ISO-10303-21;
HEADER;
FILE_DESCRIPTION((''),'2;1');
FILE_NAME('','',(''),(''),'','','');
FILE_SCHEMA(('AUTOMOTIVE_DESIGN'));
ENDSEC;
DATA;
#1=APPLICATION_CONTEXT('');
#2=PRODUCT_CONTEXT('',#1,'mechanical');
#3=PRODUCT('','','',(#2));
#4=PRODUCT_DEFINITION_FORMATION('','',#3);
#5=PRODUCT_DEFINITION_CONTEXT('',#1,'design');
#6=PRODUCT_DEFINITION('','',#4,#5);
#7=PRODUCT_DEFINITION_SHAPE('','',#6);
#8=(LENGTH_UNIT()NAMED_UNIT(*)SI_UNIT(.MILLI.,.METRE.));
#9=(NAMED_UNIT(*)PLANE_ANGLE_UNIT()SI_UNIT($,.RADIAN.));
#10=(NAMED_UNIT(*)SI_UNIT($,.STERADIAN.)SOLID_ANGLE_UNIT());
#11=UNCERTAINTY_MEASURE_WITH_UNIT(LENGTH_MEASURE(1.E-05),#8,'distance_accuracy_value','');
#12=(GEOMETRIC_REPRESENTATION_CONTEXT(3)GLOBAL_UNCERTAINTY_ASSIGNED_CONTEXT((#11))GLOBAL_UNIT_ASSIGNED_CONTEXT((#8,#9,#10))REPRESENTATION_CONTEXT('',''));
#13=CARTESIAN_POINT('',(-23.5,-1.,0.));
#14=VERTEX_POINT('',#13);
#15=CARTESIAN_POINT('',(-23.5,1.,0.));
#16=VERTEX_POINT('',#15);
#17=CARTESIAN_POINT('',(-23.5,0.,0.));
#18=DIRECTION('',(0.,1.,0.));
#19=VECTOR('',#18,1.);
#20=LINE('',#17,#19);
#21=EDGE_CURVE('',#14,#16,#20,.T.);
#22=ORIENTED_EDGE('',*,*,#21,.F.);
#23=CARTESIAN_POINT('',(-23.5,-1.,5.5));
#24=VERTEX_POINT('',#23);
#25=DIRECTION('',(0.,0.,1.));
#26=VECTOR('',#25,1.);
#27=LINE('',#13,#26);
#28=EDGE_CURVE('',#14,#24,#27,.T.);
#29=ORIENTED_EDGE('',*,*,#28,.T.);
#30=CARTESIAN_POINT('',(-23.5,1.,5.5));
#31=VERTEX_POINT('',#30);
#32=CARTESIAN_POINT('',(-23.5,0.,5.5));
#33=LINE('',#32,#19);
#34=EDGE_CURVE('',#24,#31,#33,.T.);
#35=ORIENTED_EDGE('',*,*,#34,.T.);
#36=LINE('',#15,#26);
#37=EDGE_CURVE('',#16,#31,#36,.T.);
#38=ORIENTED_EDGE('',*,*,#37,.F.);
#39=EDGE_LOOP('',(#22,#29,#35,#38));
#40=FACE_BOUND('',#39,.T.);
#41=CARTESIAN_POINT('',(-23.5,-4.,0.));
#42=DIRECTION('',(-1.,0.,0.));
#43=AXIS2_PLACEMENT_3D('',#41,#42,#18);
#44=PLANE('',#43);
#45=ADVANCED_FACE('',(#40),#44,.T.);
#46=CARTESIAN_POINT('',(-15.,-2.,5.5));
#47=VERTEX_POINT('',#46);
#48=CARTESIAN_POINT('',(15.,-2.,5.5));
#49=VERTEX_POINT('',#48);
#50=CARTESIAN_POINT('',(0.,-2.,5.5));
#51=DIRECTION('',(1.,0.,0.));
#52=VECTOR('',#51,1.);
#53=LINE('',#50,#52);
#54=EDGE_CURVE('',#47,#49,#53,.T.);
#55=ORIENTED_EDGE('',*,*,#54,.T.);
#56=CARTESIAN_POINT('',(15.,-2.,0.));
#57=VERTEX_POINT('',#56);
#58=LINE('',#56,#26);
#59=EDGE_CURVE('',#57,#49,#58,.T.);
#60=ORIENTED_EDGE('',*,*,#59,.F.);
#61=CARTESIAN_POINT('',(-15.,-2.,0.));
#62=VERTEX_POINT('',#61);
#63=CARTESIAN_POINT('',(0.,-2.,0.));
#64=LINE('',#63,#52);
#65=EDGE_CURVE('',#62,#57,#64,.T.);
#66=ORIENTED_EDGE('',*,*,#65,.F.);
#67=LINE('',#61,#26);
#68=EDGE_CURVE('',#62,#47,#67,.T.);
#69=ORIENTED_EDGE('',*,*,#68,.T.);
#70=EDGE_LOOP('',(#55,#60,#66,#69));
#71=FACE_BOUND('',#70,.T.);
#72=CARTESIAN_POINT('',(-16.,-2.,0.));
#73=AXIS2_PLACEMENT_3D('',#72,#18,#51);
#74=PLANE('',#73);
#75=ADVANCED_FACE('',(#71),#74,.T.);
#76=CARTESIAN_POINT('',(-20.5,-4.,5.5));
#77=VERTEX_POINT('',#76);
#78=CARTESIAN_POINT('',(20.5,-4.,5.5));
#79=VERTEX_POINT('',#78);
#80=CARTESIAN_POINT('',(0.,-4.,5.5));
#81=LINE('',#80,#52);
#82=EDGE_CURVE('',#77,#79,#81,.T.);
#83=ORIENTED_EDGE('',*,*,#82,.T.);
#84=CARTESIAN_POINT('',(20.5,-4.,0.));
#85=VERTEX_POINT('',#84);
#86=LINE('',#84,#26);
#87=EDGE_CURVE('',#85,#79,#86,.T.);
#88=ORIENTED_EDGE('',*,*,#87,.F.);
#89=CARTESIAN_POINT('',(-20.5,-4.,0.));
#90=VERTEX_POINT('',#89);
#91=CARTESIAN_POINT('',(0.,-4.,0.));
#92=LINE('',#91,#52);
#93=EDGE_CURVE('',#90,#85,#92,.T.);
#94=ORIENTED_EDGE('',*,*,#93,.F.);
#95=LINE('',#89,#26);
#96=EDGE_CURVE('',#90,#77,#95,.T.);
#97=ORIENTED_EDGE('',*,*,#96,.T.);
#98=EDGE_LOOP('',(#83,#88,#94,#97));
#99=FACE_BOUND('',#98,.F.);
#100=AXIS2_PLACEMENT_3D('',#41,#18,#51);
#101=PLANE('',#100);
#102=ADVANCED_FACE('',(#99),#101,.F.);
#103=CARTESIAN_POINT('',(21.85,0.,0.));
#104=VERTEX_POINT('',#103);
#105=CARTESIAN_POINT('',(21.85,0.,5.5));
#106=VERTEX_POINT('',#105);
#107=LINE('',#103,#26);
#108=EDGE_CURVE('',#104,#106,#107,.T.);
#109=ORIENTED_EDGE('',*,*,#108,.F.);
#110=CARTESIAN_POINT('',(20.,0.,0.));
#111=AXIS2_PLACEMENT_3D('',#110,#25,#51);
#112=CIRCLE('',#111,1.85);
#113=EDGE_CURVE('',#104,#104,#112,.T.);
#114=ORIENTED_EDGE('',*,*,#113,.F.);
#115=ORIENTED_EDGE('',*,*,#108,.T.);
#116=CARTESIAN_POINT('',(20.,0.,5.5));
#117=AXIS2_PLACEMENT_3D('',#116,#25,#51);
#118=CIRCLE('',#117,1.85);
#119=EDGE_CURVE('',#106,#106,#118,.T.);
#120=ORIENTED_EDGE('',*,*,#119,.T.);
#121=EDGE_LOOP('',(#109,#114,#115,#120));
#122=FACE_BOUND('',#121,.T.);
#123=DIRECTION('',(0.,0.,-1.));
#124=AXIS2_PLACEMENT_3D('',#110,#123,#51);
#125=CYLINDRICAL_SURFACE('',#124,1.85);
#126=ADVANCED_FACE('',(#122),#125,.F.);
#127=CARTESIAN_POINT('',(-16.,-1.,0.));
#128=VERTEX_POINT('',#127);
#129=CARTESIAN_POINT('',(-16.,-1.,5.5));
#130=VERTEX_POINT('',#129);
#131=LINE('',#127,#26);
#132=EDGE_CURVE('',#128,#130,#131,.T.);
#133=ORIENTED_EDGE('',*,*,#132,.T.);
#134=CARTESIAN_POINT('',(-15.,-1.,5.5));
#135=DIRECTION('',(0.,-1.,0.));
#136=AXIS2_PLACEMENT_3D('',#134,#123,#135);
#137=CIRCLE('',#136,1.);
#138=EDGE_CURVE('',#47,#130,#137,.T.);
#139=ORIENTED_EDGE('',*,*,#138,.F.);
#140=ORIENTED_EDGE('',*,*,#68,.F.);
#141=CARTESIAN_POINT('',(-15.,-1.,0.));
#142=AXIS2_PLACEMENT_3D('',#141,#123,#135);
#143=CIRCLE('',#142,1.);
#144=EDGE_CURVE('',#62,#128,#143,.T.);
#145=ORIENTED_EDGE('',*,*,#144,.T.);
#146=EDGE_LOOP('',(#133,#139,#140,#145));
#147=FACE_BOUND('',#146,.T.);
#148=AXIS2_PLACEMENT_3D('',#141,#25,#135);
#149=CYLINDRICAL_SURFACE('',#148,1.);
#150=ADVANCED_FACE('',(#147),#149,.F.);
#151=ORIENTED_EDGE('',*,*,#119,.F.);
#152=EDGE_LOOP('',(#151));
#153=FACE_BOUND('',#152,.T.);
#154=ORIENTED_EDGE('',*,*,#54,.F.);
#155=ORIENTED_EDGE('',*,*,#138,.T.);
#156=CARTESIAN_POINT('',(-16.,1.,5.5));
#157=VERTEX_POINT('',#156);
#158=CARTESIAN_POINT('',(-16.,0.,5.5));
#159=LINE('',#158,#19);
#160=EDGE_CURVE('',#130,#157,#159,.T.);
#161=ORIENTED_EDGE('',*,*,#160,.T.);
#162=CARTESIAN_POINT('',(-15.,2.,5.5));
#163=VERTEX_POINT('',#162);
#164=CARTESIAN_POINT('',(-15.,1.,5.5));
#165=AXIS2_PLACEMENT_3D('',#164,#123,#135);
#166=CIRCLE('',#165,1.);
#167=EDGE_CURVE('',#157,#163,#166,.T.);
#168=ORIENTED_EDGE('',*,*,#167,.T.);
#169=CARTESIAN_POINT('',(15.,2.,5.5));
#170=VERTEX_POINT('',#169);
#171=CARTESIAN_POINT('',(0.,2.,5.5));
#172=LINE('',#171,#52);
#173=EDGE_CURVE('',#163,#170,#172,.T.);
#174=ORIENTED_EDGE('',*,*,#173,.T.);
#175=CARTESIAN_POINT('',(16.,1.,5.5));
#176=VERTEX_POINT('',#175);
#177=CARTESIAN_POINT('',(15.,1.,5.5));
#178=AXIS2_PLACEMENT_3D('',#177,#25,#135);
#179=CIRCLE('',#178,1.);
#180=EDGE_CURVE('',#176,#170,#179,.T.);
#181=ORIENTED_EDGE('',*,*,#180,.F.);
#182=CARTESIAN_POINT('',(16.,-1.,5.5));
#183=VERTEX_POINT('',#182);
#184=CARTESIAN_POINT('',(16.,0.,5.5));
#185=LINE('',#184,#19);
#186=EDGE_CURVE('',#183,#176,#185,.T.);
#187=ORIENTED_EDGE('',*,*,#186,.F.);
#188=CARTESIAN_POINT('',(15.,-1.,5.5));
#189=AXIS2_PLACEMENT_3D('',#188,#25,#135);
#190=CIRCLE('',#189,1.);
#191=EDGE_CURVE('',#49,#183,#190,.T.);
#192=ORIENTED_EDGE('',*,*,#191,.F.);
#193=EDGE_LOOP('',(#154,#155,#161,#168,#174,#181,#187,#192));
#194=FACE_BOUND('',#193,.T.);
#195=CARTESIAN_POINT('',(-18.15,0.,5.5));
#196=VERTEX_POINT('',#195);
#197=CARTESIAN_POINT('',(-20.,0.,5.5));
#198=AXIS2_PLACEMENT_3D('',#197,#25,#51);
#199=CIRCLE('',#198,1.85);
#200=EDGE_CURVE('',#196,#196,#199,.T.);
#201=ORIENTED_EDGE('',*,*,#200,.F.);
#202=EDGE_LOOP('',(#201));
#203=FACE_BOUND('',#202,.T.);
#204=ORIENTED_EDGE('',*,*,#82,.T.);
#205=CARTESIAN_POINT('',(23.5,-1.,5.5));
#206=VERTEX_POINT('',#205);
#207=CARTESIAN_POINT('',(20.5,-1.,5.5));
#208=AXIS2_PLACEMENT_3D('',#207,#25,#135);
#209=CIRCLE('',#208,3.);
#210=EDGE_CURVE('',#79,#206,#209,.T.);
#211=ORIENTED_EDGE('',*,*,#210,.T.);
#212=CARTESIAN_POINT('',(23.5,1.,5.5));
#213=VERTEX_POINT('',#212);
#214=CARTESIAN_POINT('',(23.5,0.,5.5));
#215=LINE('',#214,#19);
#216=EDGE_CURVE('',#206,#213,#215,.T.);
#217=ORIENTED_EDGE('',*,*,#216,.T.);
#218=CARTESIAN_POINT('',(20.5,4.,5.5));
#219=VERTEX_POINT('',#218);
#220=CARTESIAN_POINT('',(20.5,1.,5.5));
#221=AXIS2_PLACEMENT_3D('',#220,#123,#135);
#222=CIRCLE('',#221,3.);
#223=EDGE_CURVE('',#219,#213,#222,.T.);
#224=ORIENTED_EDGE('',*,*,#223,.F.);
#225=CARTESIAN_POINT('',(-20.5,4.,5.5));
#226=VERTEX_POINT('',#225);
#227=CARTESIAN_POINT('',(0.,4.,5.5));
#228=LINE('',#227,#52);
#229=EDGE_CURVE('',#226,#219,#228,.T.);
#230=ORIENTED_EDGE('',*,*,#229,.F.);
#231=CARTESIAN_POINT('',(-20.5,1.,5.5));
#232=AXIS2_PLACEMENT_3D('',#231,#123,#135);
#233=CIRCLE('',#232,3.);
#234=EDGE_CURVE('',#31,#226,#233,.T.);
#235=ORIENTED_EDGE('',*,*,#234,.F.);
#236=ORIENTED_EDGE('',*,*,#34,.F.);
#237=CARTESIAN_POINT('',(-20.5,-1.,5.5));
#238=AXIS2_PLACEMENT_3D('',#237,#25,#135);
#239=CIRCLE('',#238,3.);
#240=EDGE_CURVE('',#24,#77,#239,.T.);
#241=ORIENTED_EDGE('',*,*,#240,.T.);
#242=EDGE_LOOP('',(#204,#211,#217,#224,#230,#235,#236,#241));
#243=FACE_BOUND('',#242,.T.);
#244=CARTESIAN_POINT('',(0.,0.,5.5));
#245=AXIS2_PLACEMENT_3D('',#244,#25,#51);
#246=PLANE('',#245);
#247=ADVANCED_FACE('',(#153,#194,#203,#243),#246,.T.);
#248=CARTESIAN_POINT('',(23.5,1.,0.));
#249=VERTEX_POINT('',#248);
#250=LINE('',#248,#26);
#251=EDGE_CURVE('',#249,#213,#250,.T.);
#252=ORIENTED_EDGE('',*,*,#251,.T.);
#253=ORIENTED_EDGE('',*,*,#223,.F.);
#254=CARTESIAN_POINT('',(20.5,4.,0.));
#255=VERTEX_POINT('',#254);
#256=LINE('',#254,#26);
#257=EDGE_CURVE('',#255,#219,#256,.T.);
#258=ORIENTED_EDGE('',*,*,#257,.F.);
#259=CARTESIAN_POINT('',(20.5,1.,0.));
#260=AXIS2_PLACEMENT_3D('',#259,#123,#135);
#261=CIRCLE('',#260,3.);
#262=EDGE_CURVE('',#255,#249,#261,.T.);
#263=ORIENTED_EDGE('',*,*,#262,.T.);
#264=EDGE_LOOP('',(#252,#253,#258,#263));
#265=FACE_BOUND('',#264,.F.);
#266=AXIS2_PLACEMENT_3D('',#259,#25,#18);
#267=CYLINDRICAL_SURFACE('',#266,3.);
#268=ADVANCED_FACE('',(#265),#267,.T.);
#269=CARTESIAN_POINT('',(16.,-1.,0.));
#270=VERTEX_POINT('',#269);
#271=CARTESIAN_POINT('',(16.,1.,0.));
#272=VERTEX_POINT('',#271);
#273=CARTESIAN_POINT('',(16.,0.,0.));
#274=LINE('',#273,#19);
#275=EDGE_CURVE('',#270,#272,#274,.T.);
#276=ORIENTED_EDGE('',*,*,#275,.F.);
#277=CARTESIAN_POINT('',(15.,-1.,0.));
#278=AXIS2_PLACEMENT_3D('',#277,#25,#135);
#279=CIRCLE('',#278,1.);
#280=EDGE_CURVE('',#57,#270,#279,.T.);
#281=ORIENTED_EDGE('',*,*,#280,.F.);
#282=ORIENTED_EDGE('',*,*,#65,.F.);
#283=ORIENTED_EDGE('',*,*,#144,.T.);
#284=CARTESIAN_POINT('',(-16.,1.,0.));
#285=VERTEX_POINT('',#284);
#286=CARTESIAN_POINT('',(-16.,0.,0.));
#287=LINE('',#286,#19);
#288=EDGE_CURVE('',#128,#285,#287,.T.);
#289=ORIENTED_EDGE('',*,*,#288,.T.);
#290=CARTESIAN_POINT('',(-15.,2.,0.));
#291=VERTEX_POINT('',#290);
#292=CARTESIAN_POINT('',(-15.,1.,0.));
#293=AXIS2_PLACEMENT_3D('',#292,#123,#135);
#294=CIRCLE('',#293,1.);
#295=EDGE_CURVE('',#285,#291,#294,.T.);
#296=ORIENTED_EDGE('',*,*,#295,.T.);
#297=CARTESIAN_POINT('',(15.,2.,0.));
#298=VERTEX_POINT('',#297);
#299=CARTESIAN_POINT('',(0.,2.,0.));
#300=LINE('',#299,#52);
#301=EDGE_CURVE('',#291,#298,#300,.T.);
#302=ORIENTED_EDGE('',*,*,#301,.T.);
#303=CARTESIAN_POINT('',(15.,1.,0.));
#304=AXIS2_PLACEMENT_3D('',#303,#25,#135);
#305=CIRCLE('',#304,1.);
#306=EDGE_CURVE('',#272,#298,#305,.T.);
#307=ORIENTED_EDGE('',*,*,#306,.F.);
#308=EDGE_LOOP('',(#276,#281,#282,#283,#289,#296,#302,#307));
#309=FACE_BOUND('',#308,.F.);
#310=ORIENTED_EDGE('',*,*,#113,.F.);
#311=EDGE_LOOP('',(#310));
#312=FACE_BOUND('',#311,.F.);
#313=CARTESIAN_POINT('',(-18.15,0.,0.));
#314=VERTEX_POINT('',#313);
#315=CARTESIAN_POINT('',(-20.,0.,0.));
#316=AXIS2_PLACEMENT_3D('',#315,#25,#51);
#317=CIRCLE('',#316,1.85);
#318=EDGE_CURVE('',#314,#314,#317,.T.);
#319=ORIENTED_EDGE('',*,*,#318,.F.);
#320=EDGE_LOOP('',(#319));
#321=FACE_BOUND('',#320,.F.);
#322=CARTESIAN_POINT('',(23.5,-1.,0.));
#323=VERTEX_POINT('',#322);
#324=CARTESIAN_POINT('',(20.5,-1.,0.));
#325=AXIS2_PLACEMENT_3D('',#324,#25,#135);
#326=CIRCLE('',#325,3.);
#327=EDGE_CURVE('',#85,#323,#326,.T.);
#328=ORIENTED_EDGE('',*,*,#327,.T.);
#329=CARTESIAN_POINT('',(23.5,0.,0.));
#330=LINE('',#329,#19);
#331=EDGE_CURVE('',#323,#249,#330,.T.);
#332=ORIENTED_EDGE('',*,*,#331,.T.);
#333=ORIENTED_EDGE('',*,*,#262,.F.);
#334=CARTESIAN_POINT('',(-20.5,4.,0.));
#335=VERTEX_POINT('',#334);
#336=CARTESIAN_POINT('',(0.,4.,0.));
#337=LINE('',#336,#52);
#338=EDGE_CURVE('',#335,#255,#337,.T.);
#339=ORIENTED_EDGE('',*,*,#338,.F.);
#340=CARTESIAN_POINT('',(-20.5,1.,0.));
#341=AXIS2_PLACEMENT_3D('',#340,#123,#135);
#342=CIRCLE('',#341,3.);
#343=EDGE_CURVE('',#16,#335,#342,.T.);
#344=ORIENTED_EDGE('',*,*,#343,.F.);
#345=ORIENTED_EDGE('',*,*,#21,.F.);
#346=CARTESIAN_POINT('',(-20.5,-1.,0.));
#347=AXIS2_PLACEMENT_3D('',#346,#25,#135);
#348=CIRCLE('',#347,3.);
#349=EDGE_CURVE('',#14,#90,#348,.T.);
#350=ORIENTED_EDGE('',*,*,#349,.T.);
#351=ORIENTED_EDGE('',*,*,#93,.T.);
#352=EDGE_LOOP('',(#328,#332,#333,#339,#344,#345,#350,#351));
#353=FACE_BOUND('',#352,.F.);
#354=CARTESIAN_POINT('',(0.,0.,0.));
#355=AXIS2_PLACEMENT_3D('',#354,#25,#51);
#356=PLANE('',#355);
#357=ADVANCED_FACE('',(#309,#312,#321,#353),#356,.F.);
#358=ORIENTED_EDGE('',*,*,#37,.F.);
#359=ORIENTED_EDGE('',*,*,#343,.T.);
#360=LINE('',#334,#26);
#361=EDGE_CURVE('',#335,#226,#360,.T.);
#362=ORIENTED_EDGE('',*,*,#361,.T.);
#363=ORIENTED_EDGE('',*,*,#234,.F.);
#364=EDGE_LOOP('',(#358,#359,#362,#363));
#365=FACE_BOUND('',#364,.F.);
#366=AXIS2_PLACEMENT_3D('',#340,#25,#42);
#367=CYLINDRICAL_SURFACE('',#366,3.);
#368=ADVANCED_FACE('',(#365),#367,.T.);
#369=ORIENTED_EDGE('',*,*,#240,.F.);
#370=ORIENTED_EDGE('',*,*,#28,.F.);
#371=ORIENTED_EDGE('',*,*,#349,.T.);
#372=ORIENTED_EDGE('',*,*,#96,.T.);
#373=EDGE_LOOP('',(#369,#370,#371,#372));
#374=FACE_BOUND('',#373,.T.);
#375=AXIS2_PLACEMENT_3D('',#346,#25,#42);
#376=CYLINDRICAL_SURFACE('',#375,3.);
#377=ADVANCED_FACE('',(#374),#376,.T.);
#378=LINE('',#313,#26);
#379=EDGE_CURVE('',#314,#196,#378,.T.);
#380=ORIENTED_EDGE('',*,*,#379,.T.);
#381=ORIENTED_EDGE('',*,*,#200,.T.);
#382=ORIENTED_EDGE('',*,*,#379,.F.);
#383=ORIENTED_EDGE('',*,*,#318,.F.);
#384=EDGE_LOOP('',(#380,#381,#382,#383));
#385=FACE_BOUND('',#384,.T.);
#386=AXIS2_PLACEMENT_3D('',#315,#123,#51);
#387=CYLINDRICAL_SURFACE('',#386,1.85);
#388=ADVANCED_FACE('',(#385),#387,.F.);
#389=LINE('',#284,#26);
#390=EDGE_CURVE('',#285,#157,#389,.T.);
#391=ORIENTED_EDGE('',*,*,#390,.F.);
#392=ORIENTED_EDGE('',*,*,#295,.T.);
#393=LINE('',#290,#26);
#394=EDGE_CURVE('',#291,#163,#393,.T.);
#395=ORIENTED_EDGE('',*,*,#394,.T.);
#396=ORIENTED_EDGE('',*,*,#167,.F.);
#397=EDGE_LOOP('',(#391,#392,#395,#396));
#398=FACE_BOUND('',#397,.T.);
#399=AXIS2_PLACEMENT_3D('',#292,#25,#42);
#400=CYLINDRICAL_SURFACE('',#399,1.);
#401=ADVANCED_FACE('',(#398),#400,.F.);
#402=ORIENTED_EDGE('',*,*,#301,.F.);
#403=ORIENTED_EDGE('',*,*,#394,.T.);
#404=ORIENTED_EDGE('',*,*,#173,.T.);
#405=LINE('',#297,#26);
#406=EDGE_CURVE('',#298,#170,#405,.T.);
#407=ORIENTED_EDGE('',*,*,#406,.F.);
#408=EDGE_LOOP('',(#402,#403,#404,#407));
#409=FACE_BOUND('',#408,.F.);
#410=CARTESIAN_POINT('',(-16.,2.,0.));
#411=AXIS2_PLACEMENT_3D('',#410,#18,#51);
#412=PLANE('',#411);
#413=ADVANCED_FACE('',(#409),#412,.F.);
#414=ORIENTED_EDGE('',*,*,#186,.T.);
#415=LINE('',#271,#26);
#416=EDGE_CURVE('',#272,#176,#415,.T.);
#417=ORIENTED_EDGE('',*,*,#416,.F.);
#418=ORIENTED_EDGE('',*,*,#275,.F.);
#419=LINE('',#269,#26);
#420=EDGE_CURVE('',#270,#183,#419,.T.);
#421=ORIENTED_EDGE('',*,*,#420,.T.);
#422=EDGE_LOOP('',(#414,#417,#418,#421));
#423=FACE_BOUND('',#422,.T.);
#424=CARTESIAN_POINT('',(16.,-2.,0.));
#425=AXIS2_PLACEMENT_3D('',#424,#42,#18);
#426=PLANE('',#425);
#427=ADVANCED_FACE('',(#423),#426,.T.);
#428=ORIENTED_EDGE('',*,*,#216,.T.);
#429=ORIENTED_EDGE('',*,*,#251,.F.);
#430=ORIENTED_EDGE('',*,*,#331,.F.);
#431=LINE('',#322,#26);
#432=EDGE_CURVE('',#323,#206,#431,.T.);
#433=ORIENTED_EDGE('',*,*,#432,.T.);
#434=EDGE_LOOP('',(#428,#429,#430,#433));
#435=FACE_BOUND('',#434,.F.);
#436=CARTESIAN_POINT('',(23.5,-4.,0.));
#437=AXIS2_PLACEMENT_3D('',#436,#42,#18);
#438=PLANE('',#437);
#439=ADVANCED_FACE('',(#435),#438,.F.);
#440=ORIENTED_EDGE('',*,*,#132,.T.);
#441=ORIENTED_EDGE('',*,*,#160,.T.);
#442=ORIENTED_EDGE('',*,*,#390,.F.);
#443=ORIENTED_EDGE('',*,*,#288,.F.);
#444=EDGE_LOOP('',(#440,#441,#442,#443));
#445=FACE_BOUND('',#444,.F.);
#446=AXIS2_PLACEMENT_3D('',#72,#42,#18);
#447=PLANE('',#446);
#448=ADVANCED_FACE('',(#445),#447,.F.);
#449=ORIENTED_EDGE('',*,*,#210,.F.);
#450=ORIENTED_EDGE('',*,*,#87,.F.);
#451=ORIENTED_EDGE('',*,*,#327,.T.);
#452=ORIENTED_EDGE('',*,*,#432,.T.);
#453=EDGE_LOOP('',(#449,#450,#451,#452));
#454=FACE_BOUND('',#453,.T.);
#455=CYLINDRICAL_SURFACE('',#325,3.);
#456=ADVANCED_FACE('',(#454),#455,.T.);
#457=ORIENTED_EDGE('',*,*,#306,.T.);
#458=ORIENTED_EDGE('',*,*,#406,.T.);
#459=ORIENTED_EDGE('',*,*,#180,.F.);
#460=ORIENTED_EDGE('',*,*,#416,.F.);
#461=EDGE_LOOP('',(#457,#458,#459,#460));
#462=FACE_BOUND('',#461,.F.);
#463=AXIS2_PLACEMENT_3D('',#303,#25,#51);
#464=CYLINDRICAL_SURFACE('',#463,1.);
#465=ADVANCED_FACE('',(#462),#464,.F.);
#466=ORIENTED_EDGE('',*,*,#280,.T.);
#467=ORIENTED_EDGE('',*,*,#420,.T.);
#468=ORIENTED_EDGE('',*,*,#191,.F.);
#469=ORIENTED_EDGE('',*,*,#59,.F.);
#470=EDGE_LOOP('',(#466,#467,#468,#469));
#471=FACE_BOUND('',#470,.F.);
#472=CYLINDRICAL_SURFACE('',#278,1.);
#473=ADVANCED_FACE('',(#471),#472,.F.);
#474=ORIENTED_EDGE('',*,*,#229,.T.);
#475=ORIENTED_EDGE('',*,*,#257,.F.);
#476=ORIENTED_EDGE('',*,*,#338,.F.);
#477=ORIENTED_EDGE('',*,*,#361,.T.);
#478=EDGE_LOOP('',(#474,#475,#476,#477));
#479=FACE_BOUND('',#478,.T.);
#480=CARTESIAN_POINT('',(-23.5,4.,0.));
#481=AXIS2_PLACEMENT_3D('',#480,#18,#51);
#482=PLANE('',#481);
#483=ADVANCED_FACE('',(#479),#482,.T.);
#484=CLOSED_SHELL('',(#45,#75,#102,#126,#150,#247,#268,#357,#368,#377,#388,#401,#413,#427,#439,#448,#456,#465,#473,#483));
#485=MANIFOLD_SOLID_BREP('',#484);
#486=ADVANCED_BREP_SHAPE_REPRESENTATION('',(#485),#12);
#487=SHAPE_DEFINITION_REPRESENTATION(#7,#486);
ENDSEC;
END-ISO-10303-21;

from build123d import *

# Parameters (mm, degrees)
F0_W     = 47
F0_H     = 8
F0_R     = 1.85
F0_W_2   = 32
F0_H_2   = 4
F1_DEPTH = 5.5
F2_R     = 3
F3_R     = 1


with BuildPart() as f1:
    # F0 (on Top) → F1 (new body)
    with BuildSketch(Plane.XY):
        Rectangle(F0_W, F0_H)
        with Locations((-20, 0)):
            Circle(F0_R, mode=Mode.SUBTRACT)
        Rectangle(F0_W_2, F0_H_2, mode=Mode.SUBTRACT)
        with Locations((20, 0)):
            Circle(F0_R, mode=Mode.SUBTRACT)
    extrude(amount=F1_DEPTH)

    # F2
    f2_edges = [f1.edges().sort_by_distance(p)[0] for p in [
        (23.5, -4, 2.75),
        (23.5, 4, 2.75),
        (-23.5, -4, 2.75),
        (-23.5, 4, 2.75),
    ]]
    fillet(f2_edges, radius=F2_R)

    # F3
    f3_edges = [f1.edges().sort_by_distance(p)[0] for p in [
        (-16, 2, 2.75),
        (16, 2, 2.75),
        (16, -2, 2.75),
        (-16, -2, 2.75),
    ]]
    fillet(f3_edges, radius=F3_R)


solid = f1.part
